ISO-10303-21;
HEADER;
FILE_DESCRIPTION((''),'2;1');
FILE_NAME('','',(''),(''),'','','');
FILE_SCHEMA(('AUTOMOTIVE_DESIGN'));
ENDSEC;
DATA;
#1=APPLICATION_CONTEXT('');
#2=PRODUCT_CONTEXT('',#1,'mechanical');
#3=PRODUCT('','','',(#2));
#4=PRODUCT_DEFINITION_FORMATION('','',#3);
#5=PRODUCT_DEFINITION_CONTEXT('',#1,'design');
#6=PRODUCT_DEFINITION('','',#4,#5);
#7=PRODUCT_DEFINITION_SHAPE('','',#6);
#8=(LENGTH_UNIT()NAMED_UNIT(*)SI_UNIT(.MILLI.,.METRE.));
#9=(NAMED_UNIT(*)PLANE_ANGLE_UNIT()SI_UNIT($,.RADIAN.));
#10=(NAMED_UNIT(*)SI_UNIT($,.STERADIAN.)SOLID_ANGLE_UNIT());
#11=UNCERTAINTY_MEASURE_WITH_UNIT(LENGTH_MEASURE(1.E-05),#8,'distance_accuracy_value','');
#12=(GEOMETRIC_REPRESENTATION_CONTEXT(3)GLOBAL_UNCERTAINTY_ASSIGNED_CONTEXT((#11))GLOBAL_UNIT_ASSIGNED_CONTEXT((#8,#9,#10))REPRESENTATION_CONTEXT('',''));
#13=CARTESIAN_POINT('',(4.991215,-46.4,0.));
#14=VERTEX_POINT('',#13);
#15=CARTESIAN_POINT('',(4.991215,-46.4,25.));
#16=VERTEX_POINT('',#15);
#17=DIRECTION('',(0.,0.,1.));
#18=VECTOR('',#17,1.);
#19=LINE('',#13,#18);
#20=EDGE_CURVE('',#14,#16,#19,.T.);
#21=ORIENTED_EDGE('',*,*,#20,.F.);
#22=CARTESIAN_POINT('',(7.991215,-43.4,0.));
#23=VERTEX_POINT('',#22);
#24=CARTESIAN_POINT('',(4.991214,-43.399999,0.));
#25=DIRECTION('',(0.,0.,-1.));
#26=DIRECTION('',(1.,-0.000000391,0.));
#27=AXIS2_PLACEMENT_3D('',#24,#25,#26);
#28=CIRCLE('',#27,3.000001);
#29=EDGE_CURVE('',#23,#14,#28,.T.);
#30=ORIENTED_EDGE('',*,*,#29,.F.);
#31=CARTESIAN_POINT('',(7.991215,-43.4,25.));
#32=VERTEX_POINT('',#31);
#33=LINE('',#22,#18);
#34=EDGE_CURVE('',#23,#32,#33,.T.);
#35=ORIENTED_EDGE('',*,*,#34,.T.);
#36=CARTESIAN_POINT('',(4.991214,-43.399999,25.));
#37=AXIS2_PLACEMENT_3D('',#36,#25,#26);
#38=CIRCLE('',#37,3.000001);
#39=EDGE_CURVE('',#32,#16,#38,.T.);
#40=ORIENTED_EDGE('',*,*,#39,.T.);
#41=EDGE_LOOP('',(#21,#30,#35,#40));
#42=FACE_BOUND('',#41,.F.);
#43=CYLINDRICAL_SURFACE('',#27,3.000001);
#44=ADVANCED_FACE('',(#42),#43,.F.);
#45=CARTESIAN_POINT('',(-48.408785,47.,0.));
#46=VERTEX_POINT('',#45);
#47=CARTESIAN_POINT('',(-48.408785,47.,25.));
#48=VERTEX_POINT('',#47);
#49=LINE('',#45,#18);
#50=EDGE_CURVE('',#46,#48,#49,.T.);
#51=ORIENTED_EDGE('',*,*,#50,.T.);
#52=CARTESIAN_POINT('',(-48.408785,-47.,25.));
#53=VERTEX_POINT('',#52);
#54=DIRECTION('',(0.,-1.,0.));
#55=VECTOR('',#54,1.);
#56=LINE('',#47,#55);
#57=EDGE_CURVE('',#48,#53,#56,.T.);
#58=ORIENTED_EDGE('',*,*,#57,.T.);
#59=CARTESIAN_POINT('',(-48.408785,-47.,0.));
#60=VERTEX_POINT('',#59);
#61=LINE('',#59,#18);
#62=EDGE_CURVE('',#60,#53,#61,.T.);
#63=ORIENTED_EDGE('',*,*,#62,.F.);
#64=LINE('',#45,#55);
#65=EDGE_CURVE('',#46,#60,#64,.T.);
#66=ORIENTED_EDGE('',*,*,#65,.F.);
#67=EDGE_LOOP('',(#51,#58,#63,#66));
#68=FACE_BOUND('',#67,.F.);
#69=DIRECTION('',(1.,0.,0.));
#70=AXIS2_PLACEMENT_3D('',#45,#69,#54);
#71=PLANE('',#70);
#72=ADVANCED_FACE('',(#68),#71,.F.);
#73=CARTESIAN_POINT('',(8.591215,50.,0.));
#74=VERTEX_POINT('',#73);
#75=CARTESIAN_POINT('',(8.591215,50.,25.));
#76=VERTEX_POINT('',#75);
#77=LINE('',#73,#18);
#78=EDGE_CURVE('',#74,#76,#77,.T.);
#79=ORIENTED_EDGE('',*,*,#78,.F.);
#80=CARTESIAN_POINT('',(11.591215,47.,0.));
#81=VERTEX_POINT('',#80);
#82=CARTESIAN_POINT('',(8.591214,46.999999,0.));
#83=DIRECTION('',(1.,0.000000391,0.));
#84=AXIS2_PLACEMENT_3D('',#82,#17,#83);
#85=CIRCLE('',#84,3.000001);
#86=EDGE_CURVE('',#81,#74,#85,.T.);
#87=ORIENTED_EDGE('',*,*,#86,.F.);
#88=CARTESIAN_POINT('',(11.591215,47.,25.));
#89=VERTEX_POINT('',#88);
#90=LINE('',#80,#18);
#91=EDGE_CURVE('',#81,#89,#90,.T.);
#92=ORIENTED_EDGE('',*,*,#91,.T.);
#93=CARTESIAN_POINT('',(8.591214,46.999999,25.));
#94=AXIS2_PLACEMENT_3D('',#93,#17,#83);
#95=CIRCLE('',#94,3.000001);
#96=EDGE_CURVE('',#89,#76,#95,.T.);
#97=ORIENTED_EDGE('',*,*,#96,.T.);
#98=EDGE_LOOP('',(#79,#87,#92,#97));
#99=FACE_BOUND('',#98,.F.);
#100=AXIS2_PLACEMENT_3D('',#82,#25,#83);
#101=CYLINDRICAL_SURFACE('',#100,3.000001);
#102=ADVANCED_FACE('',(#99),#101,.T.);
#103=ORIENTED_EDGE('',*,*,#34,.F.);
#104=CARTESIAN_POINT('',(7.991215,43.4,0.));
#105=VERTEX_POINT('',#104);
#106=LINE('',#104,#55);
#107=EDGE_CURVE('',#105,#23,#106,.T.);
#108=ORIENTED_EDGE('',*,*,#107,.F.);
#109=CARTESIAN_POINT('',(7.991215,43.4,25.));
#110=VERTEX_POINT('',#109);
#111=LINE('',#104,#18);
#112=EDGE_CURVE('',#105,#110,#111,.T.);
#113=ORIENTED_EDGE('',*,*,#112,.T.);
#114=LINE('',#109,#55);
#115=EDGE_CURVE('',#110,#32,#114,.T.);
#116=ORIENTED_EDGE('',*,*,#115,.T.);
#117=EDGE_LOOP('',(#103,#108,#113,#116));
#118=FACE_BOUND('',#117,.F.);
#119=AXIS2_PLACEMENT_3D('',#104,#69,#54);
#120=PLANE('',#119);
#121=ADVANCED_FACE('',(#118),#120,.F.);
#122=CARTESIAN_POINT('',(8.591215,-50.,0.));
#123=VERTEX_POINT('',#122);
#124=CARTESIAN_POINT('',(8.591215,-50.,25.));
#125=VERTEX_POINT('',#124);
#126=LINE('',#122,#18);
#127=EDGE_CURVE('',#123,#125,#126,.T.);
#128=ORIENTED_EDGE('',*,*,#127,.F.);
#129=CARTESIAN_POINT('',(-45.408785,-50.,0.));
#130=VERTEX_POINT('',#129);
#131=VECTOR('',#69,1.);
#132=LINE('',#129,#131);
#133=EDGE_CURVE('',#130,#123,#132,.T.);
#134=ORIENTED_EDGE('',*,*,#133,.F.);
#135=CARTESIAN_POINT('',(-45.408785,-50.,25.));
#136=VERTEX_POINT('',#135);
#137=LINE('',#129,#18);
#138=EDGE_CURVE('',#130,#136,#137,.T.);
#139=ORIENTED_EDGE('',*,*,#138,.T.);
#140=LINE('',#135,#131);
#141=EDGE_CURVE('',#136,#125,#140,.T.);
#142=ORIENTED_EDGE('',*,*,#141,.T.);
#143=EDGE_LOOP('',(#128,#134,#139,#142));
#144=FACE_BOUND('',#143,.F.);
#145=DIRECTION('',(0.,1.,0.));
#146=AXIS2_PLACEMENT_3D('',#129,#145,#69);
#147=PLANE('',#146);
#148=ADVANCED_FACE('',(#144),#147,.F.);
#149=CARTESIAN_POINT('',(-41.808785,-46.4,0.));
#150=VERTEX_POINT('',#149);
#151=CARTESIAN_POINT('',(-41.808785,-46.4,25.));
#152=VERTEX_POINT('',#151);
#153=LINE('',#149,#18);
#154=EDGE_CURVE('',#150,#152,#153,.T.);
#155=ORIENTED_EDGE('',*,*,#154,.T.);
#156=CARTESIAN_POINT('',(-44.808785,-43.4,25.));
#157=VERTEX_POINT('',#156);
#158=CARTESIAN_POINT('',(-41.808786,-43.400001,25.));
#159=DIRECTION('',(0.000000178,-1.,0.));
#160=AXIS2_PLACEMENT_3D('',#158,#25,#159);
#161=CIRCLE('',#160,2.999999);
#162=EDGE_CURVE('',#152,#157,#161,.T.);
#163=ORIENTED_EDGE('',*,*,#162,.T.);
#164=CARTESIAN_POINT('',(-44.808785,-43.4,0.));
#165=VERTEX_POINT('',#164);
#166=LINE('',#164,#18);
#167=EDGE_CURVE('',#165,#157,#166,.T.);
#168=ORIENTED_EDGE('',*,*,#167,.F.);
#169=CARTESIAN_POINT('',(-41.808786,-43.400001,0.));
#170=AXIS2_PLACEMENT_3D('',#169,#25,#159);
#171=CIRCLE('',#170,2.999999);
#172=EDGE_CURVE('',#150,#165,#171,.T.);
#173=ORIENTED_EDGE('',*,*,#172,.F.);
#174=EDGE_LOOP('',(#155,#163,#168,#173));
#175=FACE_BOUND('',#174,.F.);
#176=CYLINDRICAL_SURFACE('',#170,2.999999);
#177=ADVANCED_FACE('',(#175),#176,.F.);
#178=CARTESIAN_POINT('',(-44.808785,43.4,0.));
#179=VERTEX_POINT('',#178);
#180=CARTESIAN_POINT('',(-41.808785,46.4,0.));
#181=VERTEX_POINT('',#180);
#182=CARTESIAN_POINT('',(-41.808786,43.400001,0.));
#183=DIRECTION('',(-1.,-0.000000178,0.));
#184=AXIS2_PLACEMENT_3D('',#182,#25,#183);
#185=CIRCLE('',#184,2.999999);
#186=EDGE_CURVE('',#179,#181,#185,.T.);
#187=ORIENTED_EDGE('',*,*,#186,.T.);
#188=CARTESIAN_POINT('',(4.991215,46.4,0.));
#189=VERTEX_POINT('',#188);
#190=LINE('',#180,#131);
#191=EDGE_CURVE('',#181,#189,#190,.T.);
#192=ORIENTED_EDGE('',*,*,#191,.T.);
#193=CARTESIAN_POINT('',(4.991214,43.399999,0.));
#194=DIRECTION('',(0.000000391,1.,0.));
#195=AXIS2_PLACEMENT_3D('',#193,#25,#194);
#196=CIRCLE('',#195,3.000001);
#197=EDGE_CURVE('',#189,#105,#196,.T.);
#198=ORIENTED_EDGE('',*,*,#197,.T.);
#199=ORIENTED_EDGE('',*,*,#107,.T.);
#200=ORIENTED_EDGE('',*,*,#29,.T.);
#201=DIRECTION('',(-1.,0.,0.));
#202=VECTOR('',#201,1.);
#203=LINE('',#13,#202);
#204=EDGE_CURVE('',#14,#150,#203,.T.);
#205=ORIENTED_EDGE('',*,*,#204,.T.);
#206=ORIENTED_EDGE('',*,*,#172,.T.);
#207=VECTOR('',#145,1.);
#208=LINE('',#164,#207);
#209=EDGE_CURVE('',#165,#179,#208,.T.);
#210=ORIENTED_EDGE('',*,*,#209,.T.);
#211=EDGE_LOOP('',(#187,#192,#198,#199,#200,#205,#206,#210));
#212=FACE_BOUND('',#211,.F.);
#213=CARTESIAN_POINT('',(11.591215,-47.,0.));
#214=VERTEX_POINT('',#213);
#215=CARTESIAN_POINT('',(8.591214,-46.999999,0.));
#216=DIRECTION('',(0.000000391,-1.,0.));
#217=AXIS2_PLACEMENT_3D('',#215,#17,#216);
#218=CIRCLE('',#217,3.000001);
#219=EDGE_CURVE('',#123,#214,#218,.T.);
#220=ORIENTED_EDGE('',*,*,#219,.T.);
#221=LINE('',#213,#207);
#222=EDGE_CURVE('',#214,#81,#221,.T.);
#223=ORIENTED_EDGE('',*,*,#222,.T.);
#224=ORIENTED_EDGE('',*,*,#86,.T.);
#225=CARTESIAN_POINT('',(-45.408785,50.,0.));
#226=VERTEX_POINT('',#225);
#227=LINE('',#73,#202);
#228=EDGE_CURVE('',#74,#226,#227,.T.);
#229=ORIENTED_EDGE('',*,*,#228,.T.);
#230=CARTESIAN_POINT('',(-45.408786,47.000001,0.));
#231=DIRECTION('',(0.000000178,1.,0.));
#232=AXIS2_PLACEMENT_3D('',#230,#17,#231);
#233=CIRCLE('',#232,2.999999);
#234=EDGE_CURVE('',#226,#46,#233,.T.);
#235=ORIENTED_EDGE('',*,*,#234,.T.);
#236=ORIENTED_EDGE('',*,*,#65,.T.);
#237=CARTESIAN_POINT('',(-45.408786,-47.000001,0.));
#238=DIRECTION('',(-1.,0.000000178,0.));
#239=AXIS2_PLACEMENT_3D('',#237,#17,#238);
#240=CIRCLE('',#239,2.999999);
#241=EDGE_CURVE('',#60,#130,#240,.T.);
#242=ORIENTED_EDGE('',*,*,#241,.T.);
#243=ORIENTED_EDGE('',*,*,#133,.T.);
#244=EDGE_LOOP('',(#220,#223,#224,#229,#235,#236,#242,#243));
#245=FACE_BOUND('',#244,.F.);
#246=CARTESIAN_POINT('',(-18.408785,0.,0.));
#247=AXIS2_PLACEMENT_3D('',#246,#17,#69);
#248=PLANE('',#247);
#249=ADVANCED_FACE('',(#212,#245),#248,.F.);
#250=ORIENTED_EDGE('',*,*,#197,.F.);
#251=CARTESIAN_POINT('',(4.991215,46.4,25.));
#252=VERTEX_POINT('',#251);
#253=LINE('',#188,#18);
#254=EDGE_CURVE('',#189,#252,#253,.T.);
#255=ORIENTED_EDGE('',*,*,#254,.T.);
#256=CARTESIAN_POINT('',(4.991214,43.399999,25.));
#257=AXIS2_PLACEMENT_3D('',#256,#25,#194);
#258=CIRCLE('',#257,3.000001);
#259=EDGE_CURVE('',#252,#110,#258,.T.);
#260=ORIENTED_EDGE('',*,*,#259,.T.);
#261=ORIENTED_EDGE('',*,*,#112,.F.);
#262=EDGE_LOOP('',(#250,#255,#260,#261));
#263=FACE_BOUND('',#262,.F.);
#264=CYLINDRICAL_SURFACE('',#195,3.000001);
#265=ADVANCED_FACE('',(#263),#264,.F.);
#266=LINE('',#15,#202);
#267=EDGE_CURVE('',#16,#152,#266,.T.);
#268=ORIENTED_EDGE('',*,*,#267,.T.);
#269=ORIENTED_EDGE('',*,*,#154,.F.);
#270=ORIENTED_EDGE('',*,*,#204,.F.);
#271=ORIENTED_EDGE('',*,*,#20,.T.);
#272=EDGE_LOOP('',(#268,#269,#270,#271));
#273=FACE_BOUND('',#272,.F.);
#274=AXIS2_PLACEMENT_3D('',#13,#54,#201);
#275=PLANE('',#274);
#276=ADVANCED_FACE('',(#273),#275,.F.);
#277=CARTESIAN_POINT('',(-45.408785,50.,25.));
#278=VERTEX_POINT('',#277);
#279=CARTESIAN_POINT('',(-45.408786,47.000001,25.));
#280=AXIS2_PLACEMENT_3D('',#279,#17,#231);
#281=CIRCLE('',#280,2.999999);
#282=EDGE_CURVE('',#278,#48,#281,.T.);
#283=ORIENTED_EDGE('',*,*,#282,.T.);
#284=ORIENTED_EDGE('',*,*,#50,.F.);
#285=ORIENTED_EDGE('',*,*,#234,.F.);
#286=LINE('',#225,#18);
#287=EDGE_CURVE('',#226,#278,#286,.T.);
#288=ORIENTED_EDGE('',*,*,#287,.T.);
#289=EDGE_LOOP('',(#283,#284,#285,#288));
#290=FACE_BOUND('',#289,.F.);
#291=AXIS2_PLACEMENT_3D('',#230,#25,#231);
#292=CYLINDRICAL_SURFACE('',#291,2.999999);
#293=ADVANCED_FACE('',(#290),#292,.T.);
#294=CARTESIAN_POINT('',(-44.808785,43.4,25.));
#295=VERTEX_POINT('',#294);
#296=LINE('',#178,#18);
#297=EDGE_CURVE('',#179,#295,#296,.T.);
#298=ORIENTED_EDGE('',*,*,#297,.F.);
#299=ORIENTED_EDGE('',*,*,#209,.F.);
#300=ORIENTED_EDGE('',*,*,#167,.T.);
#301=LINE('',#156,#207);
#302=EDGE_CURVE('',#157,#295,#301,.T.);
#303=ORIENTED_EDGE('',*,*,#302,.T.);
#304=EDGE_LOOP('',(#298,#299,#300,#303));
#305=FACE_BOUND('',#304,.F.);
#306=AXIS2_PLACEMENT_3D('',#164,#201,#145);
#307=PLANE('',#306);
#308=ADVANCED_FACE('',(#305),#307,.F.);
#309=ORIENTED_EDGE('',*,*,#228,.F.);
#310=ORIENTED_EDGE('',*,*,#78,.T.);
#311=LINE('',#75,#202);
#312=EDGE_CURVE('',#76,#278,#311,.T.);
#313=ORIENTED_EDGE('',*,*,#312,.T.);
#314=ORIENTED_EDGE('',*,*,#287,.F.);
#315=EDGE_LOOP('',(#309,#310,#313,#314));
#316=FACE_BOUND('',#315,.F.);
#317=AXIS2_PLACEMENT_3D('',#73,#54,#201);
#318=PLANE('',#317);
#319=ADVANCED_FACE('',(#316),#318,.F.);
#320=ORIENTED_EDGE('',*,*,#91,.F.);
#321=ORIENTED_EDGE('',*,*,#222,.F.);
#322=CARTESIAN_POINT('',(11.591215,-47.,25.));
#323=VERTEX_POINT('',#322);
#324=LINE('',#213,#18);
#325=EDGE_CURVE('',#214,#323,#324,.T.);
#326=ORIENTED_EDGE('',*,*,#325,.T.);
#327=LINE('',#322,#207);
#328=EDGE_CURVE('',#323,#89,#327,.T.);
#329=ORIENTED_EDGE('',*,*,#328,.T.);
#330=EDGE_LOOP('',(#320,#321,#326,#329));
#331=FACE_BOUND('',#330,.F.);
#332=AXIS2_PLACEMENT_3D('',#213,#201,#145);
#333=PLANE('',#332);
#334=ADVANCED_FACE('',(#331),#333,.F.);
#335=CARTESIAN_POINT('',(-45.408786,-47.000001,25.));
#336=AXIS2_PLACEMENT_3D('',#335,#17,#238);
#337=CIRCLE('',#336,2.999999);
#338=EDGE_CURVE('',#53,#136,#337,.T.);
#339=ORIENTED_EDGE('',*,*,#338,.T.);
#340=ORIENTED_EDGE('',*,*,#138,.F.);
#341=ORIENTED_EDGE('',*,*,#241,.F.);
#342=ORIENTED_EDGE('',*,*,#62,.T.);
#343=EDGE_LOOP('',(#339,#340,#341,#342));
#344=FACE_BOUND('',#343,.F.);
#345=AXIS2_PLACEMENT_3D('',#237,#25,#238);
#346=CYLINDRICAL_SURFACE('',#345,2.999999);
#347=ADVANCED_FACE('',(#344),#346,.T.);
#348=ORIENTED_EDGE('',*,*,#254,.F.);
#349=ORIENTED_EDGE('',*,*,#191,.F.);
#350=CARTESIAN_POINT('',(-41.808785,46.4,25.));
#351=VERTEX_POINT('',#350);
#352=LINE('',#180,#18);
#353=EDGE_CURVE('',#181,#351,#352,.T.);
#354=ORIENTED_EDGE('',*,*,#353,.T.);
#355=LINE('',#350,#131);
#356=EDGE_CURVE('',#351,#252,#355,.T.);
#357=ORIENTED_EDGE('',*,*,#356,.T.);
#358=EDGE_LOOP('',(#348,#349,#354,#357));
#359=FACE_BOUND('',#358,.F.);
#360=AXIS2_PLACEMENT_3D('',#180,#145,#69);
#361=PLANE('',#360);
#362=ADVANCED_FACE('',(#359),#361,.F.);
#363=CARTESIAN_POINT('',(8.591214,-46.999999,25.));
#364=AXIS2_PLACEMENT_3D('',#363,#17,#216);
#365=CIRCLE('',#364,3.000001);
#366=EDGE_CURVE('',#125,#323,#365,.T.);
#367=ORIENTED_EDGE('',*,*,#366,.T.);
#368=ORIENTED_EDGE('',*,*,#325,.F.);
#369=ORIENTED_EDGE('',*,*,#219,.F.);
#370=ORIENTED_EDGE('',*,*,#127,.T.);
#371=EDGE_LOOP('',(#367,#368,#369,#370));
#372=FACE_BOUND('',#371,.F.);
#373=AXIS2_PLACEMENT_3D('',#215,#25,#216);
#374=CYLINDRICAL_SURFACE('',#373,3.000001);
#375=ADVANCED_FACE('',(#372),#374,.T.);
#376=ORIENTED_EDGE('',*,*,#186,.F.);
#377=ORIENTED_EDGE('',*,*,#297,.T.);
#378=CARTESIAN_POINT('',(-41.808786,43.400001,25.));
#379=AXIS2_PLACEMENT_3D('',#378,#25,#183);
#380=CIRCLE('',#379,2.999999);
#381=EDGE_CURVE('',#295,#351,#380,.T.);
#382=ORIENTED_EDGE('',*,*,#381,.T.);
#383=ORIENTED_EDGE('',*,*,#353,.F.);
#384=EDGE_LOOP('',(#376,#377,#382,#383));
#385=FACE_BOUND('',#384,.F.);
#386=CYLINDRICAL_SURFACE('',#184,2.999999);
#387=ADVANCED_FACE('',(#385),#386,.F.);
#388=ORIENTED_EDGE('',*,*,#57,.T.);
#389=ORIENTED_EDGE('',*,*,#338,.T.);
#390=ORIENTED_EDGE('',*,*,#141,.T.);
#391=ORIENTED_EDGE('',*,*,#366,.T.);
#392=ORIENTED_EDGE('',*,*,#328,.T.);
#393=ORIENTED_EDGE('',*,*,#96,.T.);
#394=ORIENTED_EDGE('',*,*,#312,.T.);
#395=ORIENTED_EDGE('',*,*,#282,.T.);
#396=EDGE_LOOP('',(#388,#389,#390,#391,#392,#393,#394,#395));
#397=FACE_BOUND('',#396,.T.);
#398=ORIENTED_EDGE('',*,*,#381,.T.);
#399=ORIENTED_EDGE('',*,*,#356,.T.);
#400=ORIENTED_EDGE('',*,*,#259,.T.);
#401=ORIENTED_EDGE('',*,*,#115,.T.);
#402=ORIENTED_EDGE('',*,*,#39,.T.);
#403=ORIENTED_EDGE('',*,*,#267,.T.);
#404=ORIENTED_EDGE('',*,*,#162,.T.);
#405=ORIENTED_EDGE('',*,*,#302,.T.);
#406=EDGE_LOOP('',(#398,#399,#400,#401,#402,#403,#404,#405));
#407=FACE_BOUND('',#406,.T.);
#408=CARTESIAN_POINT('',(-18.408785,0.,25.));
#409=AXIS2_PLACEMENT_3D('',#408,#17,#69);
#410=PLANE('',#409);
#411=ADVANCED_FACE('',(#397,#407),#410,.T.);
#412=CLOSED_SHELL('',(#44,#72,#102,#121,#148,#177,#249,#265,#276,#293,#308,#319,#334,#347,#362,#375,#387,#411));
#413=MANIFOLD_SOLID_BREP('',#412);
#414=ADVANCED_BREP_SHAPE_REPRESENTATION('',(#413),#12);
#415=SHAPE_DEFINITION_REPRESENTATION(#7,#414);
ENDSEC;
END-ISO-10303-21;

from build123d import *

# Parameters (mm, degrees)
F1_DEPTH = 25


with BuildPart() as f1:
    # F0 (on Top) → F1 (new body)
    with BuildSketch(Plane.XY):
        with BuildLine():
            Line((8.591215, 50), (-45.408785, 50))
            ThreePointArc((-45.408785, 50), (-47.530106, 49.12132), (-48.408785, 47))
            Line((-48.408785, 47), (-48.408785, -47))
            ThreePointArc((-48.408785, -47), (-47.530106, -49.12132), (-45.408785, -50))
            Line((-45.408785, -50), (8.591215, -50))
            ThreePointArc((8.591215, -50), (10.712535, -49.12132), (11.591215, -47))
            Line((11.591215, -47), (11.591215, 47))
            ThreePointArc((11.591215, 47), (10.712535, 49.12132), (8.591215, 50))
        make_face()
        with BuildLine():
            Line((-41.808785, 46.4), (-18.408785, 46.4))
            Line((-18.408785, 46.4), (4.991215, 46.4))
            ThreePointArc((4.991215, 46.4), (7.112535, 45.52132), (7.991215, 43.4))
            Line((7.991215, 43.4), (7.991215, 23.050746))
            Line((7.991215, 23.050746), (7.991215, -43.4))
            ThreePointArc((7.991215, -43.4), (7.112535, -45.52132), (4.991215, -46.4))
            Line((4.991215, -46.4), (-18.408785, -46.4))
            Line((-18.408785, -46.4), (-41.808785, -46.4))
            ThreePointArc((-41.808785, -46.4), (-43.930106, -45.52132), (-44.808785, -43.4))
            Line((-44.808785, -43.4), (-44.808785, 23.050746))
            Line((-44.808785, 23.050746), (-44.808785, 43.4))
            ThreePointArc((-44.808785, 43.4), (-43.930106, 45.52132), (-41.808785, 46.4))
        make_face(mode=Mode.SUBTRACT)
    extrude(amount=F1_DEPTH)


solid = f1.part
